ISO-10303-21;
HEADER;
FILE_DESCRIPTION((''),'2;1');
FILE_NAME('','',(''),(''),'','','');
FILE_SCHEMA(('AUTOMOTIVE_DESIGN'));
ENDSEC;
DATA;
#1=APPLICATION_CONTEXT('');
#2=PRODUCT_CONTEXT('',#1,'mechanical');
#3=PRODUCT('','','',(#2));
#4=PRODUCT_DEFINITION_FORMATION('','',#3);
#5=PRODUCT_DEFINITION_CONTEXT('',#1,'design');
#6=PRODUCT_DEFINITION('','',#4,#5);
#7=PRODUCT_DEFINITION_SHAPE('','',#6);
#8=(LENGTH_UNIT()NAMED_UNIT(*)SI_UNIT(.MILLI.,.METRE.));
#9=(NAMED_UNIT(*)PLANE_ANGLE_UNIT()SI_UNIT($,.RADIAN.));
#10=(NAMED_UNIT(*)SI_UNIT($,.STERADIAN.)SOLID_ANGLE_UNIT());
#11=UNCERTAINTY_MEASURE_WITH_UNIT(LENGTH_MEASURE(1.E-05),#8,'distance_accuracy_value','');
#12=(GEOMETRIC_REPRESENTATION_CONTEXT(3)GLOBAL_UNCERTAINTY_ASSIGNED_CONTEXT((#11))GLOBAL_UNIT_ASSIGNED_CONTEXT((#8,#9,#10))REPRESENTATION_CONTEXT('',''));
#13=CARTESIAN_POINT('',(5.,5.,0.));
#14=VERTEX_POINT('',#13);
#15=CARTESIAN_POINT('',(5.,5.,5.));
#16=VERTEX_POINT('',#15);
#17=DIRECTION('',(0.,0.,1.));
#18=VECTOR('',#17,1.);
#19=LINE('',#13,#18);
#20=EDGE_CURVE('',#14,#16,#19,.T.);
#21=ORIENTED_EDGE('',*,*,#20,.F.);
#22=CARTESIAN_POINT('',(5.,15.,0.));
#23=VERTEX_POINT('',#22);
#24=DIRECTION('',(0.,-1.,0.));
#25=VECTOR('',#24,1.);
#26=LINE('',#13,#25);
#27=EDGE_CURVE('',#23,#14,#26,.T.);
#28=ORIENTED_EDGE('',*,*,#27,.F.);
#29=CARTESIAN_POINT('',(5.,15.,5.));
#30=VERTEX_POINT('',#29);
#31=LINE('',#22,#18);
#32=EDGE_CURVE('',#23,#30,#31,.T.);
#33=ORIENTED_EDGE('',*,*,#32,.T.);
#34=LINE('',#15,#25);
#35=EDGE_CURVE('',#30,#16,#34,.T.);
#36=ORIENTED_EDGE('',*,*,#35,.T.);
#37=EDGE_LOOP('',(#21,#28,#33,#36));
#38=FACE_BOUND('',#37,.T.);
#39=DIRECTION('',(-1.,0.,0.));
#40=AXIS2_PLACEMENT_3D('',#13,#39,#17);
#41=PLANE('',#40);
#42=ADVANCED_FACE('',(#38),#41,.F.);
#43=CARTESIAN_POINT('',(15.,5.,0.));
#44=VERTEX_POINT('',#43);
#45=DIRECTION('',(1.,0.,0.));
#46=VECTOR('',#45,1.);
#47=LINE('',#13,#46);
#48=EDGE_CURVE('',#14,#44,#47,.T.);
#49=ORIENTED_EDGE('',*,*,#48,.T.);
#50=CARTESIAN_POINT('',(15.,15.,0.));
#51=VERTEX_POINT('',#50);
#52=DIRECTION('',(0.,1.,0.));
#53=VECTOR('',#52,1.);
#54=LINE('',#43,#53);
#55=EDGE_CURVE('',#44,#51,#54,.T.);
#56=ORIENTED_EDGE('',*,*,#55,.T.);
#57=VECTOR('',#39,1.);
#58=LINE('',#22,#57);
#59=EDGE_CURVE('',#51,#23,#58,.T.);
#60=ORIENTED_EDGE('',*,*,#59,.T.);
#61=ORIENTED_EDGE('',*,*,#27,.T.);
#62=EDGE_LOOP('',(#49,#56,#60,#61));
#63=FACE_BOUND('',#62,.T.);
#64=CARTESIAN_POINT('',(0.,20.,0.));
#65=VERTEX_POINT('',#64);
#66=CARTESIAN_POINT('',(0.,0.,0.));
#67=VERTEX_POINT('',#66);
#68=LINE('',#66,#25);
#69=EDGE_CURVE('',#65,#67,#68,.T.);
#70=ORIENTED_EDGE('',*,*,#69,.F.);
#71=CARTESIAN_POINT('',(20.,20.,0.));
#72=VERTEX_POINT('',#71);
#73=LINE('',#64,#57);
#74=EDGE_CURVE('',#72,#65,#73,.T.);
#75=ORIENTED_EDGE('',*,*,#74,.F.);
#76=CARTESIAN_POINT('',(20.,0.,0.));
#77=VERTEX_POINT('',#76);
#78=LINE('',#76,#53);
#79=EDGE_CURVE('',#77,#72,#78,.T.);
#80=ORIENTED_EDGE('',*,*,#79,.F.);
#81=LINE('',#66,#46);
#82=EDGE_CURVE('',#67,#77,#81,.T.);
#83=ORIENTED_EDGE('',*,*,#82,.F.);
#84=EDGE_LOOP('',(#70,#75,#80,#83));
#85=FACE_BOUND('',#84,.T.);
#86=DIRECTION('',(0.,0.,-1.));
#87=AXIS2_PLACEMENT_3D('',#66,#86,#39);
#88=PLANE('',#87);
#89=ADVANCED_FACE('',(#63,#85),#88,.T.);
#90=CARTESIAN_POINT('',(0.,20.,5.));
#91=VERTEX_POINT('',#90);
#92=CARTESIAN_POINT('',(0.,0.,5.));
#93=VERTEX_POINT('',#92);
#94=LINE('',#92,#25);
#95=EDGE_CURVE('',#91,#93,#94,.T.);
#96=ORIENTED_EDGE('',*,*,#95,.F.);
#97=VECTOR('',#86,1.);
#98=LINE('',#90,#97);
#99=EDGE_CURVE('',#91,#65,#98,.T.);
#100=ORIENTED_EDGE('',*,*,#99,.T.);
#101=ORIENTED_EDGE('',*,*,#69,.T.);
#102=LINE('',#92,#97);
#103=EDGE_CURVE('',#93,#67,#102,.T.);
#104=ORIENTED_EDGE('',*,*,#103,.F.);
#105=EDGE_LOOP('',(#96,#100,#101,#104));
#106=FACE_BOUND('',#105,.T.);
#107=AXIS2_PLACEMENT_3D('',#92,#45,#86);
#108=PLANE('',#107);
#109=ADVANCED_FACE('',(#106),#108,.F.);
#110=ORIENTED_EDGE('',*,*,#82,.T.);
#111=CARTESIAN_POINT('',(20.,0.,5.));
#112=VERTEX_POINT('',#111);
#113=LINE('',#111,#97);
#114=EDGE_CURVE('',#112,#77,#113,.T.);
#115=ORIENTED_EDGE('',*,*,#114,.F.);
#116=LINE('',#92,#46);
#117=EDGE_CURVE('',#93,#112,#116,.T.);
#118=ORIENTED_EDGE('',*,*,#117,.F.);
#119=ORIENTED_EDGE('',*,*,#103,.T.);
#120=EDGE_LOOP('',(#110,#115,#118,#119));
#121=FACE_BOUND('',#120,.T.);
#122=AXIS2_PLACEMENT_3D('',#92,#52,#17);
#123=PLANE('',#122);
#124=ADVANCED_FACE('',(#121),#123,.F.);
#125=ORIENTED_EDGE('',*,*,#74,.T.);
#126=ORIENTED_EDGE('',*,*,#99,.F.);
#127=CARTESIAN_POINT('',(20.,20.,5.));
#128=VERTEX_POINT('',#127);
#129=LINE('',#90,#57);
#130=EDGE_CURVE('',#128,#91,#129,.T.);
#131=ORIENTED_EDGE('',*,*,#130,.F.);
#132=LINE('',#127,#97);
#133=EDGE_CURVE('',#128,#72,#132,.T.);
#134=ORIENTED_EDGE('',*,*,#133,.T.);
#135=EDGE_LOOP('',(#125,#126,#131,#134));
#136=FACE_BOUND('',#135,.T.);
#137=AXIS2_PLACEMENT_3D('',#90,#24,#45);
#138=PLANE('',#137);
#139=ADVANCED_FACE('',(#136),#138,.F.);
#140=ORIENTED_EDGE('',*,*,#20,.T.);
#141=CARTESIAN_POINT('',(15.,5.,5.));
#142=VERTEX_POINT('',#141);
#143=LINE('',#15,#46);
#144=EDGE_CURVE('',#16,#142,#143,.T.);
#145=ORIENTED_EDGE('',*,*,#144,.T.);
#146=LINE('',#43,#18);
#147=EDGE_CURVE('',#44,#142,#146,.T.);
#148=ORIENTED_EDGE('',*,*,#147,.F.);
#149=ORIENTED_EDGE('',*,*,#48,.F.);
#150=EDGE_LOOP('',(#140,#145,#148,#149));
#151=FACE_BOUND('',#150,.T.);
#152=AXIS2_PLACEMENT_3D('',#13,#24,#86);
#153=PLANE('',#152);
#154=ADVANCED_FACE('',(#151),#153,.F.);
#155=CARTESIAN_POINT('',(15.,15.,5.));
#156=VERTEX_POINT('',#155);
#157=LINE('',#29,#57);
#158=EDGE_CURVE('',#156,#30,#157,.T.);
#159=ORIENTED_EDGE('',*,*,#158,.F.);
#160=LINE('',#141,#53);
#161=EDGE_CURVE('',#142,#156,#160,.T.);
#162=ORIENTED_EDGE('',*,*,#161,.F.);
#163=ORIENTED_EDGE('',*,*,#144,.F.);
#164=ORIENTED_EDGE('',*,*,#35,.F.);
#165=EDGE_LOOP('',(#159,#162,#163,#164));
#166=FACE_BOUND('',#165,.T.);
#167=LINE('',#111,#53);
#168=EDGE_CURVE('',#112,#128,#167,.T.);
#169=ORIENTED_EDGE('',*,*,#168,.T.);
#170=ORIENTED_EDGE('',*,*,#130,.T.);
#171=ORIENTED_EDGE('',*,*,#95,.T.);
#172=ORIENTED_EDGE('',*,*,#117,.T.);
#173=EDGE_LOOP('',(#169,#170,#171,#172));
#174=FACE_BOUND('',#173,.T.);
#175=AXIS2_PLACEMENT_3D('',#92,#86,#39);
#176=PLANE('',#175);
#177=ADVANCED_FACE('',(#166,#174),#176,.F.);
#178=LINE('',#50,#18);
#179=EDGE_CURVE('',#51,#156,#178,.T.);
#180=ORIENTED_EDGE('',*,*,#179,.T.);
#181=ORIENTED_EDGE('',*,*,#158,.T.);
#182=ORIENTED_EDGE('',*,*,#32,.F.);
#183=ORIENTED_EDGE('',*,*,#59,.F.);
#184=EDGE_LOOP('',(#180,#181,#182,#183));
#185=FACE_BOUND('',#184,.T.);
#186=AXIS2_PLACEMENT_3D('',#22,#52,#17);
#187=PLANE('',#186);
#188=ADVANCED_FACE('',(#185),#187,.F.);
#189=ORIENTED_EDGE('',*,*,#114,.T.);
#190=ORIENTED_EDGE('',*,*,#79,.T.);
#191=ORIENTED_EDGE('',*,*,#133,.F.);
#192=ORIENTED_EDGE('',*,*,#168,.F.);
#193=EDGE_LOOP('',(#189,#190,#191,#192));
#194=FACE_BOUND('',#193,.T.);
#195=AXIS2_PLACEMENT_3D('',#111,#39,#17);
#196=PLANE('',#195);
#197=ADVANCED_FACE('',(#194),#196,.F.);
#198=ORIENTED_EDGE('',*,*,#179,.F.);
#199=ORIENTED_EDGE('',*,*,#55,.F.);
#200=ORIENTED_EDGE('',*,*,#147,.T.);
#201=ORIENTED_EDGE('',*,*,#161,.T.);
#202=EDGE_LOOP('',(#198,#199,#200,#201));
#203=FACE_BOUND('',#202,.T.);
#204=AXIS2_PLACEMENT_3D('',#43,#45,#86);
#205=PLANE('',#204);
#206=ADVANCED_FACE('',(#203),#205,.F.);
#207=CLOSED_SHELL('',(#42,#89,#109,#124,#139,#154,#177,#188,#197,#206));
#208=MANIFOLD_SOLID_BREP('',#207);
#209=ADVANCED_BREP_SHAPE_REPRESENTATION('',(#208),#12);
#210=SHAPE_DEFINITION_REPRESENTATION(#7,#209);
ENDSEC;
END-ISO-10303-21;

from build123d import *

# Parameters (mm, degrees)
SKETCH1_W           = 20
SKETCH1_H           = 20
BOSS_EXTRUDE1_DEPTH = 5
SKETCH2_W           = 10
SKETCH2_H           = 10
CUT_EXTRUDE1_DEPTH  = 29.722813233


with BuildPart() as part:
    # Sketch1 → Boss-Extrude1 (new body)
    with BuildSketch(Plane.XY):
        with Locations((10, 10)):
            Rectangle(SKETCH1_W, SKETCH1_H)
    extrude(amount=BOSS_EXTRUDE1_DEPTH)

    # Sketch2 → Cut-Extrude1 (cut, through all)
    with BuildSketch(Plane.XY.offset(5)):
        with Locations((10, 10)):
            Rectangle(SKETCH2_W, SKETCH2_H)
    extrude(amount=-CUT_EXTRUDE1_DEPTH, mode=Mode.SUBTRACT)


solid = part.part
